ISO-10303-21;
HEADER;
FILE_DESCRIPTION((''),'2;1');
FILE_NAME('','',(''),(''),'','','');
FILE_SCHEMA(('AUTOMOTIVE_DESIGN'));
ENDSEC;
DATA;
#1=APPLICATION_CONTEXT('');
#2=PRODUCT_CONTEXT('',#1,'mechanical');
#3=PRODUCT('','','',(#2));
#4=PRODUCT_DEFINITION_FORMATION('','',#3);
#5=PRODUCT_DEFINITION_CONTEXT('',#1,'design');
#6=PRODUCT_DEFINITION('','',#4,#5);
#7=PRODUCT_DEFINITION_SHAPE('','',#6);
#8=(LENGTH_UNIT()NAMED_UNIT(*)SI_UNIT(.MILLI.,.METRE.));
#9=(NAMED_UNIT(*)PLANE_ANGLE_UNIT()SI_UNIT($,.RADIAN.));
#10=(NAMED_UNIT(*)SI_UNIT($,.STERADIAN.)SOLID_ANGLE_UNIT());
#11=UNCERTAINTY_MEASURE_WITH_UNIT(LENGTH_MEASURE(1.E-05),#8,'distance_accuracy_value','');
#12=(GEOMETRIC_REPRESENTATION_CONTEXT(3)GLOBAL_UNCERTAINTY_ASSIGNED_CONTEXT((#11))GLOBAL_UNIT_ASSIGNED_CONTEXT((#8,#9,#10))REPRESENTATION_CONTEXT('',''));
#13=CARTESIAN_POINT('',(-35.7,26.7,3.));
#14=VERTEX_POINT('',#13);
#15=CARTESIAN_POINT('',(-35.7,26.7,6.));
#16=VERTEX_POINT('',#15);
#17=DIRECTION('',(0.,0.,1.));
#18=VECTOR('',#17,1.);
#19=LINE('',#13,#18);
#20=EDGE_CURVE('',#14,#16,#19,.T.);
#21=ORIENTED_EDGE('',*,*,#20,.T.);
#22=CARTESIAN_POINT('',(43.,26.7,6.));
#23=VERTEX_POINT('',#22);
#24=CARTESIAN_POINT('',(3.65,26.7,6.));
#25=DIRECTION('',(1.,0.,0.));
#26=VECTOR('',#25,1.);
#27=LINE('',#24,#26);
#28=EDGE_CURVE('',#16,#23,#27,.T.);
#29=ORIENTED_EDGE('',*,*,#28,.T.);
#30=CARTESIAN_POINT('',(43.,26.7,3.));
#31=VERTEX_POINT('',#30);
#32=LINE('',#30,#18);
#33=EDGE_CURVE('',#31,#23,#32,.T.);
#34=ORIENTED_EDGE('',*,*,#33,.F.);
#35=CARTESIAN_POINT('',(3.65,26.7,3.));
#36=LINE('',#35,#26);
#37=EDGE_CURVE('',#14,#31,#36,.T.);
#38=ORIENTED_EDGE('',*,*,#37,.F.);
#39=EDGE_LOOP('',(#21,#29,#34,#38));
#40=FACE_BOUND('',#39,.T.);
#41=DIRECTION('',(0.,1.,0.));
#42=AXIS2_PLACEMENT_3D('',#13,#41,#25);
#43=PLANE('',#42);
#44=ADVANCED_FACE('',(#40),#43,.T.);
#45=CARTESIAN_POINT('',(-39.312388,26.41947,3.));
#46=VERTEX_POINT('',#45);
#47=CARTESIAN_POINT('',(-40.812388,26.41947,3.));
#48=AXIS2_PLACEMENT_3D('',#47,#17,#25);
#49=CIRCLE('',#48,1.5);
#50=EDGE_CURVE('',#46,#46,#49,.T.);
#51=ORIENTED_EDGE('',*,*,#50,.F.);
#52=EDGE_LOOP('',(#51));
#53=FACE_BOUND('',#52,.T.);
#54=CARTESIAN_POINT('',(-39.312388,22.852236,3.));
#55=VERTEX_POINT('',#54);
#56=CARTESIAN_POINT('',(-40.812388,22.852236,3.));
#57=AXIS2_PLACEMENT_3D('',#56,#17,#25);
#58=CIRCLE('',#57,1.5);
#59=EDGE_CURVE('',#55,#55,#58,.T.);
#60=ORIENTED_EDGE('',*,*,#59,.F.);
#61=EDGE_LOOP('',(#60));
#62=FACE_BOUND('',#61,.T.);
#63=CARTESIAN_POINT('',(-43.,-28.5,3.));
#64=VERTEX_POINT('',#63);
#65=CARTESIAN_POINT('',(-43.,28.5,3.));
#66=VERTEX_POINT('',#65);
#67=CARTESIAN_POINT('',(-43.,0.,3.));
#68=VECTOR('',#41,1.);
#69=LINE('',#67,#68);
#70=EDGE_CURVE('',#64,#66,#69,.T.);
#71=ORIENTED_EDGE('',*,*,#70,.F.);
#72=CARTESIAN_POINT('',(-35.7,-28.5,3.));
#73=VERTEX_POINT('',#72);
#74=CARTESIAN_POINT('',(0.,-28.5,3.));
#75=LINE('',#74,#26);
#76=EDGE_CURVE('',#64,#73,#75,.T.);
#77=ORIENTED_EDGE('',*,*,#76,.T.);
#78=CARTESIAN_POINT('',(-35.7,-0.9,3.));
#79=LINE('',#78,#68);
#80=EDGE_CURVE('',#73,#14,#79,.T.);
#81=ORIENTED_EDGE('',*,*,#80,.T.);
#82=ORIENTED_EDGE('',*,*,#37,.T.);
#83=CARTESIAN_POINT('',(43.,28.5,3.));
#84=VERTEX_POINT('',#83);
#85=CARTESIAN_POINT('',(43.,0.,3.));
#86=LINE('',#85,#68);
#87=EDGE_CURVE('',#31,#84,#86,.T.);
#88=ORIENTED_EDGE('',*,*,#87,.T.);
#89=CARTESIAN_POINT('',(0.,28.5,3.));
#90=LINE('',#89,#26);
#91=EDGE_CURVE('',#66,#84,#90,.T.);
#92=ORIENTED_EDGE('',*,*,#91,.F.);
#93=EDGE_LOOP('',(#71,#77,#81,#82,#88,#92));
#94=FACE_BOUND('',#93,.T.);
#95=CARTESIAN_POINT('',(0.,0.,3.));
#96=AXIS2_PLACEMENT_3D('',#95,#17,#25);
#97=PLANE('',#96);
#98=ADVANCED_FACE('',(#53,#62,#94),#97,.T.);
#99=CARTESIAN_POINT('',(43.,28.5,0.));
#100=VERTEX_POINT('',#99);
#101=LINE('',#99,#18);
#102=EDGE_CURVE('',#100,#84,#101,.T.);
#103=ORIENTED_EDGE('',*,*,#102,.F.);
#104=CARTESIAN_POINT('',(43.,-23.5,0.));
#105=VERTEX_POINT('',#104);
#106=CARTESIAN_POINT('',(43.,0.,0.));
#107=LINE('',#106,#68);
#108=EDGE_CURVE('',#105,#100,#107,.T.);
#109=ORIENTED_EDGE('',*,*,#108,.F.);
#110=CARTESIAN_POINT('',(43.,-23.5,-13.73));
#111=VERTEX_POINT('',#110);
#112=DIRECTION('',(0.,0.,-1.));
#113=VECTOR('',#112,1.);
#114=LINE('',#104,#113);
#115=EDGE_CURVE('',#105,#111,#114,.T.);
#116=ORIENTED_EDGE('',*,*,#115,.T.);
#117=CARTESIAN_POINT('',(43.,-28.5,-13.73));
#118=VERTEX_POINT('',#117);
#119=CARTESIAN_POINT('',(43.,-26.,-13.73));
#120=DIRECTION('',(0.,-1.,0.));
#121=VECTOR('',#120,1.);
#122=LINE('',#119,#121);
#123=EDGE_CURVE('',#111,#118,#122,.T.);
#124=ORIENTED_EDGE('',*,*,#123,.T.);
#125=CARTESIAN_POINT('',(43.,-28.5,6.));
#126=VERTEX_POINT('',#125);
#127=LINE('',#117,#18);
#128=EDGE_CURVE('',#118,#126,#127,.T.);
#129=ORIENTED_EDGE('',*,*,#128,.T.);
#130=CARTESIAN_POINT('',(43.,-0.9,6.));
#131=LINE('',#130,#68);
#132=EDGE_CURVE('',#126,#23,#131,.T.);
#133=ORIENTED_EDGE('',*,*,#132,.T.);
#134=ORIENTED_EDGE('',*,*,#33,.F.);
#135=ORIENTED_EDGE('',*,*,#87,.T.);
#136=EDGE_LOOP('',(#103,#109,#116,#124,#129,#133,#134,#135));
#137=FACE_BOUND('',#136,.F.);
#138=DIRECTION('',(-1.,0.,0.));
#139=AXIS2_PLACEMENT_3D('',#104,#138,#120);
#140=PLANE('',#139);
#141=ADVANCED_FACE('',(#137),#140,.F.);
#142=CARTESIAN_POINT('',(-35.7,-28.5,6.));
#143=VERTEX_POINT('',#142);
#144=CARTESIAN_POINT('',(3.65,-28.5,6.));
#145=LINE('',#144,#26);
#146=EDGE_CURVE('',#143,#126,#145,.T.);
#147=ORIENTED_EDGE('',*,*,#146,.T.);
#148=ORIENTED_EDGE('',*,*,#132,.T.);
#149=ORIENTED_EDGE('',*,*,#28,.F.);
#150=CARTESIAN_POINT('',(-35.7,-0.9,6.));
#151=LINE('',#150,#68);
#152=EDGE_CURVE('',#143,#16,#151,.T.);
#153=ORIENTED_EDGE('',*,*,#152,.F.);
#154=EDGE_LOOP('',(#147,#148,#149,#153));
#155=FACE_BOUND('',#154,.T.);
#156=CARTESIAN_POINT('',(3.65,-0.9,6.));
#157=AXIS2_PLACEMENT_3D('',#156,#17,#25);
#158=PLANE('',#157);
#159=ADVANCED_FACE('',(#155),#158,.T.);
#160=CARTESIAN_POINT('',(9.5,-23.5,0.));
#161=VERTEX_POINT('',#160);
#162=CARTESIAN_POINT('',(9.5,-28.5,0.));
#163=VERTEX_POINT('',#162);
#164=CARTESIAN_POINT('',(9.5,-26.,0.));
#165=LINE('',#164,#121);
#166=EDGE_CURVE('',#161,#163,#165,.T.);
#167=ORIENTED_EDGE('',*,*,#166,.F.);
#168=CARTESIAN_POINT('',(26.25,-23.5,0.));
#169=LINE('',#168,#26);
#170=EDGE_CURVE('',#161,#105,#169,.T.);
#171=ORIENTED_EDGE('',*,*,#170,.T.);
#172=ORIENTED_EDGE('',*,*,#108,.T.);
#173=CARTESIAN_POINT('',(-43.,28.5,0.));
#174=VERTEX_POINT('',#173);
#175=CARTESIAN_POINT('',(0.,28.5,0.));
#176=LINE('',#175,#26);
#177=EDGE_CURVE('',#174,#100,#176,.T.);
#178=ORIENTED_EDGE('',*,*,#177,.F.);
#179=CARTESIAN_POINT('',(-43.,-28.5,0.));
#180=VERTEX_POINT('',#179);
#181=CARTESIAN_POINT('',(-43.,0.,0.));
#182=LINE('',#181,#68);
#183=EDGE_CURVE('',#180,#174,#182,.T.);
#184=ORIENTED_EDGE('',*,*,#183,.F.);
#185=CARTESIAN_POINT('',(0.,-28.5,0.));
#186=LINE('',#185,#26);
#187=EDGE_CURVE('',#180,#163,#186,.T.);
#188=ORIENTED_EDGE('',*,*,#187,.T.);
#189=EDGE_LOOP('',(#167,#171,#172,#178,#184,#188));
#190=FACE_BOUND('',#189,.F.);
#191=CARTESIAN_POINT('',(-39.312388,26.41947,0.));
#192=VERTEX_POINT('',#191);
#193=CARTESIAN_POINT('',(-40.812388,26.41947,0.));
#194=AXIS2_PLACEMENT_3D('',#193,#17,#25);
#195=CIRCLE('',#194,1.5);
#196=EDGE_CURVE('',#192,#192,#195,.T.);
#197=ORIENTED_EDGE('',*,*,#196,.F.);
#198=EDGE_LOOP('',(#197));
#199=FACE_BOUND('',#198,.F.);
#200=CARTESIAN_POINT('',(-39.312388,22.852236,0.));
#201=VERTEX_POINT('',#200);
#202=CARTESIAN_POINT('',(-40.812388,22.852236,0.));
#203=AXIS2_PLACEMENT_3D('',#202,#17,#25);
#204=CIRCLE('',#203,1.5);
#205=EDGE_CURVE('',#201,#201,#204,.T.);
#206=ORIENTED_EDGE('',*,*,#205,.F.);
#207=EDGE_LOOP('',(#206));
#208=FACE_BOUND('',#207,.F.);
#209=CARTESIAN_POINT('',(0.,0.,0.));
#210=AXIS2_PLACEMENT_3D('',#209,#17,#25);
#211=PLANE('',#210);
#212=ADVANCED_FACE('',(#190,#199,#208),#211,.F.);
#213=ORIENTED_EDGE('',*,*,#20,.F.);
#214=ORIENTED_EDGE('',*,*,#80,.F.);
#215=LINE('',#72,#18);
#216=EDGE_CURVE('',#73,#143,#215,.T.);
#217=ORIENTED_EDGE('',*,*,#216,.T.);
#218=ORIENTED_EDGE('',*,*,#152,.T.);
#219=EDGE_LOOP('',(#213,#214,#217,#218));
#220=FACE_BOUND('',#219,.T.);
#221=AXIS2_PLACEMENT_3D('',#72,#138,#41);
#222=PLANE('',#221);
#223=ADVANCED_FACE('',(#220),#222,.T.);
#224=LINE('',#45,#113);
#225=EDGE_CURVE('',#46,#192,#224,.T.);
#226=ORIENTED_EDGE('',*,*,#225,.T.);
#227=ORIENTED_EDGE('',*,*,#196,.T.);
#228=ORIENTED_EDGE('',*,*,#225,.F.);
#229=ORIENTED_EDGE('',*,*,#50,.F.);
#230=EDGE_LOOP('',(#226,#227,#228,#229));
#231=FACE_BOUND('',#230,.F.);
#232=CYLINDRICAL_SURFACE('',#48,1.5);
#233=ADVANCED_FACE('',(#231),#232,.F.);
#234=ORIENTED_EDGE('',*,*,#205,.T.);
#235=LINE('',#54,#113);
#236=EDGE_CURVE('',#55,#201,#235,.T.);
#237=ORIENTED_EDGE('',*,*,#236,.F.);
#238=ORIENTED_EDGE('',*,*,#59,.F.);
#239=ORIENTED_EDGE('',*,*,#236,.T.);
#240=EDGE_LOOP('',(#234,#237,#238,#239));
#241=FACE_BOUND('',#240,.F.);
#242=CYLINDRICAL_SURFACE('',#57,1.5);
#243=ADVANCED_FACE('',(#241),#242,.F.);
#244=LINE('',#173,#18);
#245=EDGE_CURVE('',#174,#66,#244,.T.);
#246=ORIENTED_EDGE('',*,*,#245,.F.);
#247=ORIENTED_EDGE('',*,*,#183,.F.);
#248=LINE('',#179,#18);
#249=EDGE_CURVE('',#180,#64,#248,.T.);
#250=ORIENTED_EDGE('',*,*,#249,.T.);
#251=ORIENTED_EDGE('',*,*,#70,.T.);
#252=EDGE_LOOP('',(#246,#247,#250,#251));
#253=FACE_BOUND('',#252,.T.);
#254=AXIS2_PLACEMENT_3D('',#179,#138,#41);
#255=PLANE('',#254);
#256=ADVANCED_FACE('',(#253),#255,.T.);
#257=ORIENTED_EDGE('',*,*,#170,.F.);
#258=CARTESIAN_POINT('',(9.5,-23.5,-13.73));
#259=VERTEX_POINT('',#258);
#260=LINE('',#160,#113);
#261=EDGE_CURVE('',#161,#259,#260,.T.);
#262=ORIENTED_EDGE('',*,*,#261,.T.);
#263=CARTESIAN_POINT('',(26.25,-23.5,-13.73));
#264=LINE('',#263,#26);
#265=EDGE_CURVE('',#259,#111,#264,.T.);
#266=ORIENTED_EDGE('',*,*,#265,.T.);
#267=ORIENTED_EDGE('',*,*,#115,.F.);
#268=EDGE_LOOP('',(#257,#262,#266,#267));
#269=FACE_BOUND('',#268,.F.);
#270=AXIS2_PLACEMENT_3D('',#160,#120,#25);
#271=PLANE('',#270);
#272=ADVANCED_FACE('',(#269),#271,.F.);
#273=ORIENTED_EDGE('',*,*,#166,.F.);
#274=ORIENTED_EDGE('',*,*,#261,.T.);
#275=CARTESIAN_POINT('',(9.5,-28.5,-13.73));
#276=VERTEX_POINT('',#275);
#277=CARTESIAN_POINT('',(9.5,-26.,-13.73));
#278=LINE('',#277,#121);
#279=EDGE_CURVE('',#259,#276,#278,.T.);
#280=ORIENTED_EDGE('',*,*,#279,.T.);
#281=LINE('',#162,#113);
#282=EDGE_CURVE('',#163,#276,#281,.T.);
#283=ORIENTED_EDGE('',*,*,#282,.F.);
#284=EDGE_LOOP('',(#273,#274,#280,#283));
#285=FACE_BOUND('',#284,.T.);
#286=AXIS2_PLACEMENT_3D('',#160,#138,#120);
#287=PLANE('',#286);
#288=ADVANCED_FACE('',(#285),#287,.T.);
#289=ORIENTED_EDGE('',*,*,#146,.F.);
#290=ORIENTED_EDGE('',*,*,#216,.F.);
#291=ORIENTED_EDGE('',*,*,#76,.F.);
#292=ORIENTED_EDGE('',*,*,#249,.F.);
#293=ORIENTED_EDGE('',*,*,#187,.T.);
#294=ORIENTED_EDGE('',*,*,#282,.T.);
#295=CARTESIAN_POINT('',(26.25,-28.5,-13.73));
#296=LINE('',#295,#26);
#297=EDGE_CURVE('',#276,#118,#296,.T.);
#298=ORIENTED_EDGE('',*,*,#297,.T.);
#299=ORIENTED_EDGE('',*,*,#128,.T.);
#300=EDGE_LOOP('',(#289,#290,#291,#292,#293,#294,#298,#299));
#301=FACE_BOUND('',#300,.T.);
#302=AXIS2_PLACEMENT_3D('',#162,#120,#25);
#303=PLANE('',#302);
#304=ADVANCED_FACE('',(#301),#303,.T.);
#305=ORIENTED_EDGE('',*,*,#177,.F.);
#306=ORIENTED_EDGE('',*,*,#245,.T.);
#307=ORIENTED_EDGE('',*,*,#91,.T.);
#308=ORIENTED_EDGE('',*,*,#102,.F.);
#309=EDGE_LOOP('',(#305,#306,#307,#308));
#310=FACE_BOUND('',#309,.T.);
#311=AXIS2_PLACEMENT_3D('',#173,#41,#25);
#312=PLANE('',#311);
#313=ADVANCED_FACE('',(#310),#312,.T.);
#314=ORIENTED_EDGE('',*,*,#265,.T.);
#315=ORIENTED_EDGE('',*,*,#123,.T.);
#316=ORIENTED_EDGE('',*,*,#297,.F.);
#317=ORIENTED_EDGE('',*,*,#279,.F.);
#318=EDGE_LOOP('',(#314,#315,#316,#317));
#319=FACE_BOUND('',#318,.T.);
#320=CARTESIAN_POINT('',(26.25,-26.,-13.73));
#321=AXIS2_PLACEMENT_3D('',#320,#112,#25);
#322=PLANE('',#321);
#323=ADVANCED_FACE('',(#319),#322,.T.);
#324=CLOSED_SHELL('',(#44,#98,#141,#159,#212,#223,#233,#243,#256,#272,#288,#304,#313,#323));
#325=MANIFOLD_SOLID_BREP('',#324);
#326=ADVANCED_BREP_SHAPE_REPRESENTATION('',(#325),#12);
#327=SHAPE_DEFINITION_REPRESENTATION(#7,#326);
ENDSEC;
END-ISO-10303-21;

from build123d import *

# Parameters (mm, degrees)
F0_W     = 86
F0_H     = 57
F1_DEPTH = 3
F2_W     = 78.7
F2_H     = 55.2
F3_DEPTH = 3
F4_R     = 1.5
F5_DEPTH = 25
F6_W     = 33.5
F6_H     = 5
F7_DEPTH = 13.73


with BuildPart() as f1:
    # F0 (on Top) → F1 (new body)
    with BuildSketch(Plane.XY):
        Rectangle(F0_W, F0_H)
    extrude(amount=F1_DEPTH)

    # F2 (on face) → F3 (join)
    with BuildSketch(Plane.XY.offset(3)):
        with Locations((3.65, -0.9)):
            Rectangle(F2_W, F2_H)
    extrude(amount=F3_DEPTH)

    # F4 (on face) → F5 (cut)
    with BuildSketch(Plane.XY.offset(3)):
        with Locations((-40.812388, 26.41947)):
            Circle(F4_R)
        with Locations((-40.812388, 22.852236)):
            Circle(F4_R)
    extrude(amount=-F5_DEPTH, mode=Mode.SUBTRACT)

    # F6 (on face) → F7 (join)
    with BuildSketch(Plane(origin=(0, 0, 0), x_dir=(1, 0, 0), z_dir=(0, 0, -1))):
        with Locations((26.25, 26)):
            Rectangle(F6_W, F6_H)
    extrude(amount=F7_DEPTH)


solid = f1.part
